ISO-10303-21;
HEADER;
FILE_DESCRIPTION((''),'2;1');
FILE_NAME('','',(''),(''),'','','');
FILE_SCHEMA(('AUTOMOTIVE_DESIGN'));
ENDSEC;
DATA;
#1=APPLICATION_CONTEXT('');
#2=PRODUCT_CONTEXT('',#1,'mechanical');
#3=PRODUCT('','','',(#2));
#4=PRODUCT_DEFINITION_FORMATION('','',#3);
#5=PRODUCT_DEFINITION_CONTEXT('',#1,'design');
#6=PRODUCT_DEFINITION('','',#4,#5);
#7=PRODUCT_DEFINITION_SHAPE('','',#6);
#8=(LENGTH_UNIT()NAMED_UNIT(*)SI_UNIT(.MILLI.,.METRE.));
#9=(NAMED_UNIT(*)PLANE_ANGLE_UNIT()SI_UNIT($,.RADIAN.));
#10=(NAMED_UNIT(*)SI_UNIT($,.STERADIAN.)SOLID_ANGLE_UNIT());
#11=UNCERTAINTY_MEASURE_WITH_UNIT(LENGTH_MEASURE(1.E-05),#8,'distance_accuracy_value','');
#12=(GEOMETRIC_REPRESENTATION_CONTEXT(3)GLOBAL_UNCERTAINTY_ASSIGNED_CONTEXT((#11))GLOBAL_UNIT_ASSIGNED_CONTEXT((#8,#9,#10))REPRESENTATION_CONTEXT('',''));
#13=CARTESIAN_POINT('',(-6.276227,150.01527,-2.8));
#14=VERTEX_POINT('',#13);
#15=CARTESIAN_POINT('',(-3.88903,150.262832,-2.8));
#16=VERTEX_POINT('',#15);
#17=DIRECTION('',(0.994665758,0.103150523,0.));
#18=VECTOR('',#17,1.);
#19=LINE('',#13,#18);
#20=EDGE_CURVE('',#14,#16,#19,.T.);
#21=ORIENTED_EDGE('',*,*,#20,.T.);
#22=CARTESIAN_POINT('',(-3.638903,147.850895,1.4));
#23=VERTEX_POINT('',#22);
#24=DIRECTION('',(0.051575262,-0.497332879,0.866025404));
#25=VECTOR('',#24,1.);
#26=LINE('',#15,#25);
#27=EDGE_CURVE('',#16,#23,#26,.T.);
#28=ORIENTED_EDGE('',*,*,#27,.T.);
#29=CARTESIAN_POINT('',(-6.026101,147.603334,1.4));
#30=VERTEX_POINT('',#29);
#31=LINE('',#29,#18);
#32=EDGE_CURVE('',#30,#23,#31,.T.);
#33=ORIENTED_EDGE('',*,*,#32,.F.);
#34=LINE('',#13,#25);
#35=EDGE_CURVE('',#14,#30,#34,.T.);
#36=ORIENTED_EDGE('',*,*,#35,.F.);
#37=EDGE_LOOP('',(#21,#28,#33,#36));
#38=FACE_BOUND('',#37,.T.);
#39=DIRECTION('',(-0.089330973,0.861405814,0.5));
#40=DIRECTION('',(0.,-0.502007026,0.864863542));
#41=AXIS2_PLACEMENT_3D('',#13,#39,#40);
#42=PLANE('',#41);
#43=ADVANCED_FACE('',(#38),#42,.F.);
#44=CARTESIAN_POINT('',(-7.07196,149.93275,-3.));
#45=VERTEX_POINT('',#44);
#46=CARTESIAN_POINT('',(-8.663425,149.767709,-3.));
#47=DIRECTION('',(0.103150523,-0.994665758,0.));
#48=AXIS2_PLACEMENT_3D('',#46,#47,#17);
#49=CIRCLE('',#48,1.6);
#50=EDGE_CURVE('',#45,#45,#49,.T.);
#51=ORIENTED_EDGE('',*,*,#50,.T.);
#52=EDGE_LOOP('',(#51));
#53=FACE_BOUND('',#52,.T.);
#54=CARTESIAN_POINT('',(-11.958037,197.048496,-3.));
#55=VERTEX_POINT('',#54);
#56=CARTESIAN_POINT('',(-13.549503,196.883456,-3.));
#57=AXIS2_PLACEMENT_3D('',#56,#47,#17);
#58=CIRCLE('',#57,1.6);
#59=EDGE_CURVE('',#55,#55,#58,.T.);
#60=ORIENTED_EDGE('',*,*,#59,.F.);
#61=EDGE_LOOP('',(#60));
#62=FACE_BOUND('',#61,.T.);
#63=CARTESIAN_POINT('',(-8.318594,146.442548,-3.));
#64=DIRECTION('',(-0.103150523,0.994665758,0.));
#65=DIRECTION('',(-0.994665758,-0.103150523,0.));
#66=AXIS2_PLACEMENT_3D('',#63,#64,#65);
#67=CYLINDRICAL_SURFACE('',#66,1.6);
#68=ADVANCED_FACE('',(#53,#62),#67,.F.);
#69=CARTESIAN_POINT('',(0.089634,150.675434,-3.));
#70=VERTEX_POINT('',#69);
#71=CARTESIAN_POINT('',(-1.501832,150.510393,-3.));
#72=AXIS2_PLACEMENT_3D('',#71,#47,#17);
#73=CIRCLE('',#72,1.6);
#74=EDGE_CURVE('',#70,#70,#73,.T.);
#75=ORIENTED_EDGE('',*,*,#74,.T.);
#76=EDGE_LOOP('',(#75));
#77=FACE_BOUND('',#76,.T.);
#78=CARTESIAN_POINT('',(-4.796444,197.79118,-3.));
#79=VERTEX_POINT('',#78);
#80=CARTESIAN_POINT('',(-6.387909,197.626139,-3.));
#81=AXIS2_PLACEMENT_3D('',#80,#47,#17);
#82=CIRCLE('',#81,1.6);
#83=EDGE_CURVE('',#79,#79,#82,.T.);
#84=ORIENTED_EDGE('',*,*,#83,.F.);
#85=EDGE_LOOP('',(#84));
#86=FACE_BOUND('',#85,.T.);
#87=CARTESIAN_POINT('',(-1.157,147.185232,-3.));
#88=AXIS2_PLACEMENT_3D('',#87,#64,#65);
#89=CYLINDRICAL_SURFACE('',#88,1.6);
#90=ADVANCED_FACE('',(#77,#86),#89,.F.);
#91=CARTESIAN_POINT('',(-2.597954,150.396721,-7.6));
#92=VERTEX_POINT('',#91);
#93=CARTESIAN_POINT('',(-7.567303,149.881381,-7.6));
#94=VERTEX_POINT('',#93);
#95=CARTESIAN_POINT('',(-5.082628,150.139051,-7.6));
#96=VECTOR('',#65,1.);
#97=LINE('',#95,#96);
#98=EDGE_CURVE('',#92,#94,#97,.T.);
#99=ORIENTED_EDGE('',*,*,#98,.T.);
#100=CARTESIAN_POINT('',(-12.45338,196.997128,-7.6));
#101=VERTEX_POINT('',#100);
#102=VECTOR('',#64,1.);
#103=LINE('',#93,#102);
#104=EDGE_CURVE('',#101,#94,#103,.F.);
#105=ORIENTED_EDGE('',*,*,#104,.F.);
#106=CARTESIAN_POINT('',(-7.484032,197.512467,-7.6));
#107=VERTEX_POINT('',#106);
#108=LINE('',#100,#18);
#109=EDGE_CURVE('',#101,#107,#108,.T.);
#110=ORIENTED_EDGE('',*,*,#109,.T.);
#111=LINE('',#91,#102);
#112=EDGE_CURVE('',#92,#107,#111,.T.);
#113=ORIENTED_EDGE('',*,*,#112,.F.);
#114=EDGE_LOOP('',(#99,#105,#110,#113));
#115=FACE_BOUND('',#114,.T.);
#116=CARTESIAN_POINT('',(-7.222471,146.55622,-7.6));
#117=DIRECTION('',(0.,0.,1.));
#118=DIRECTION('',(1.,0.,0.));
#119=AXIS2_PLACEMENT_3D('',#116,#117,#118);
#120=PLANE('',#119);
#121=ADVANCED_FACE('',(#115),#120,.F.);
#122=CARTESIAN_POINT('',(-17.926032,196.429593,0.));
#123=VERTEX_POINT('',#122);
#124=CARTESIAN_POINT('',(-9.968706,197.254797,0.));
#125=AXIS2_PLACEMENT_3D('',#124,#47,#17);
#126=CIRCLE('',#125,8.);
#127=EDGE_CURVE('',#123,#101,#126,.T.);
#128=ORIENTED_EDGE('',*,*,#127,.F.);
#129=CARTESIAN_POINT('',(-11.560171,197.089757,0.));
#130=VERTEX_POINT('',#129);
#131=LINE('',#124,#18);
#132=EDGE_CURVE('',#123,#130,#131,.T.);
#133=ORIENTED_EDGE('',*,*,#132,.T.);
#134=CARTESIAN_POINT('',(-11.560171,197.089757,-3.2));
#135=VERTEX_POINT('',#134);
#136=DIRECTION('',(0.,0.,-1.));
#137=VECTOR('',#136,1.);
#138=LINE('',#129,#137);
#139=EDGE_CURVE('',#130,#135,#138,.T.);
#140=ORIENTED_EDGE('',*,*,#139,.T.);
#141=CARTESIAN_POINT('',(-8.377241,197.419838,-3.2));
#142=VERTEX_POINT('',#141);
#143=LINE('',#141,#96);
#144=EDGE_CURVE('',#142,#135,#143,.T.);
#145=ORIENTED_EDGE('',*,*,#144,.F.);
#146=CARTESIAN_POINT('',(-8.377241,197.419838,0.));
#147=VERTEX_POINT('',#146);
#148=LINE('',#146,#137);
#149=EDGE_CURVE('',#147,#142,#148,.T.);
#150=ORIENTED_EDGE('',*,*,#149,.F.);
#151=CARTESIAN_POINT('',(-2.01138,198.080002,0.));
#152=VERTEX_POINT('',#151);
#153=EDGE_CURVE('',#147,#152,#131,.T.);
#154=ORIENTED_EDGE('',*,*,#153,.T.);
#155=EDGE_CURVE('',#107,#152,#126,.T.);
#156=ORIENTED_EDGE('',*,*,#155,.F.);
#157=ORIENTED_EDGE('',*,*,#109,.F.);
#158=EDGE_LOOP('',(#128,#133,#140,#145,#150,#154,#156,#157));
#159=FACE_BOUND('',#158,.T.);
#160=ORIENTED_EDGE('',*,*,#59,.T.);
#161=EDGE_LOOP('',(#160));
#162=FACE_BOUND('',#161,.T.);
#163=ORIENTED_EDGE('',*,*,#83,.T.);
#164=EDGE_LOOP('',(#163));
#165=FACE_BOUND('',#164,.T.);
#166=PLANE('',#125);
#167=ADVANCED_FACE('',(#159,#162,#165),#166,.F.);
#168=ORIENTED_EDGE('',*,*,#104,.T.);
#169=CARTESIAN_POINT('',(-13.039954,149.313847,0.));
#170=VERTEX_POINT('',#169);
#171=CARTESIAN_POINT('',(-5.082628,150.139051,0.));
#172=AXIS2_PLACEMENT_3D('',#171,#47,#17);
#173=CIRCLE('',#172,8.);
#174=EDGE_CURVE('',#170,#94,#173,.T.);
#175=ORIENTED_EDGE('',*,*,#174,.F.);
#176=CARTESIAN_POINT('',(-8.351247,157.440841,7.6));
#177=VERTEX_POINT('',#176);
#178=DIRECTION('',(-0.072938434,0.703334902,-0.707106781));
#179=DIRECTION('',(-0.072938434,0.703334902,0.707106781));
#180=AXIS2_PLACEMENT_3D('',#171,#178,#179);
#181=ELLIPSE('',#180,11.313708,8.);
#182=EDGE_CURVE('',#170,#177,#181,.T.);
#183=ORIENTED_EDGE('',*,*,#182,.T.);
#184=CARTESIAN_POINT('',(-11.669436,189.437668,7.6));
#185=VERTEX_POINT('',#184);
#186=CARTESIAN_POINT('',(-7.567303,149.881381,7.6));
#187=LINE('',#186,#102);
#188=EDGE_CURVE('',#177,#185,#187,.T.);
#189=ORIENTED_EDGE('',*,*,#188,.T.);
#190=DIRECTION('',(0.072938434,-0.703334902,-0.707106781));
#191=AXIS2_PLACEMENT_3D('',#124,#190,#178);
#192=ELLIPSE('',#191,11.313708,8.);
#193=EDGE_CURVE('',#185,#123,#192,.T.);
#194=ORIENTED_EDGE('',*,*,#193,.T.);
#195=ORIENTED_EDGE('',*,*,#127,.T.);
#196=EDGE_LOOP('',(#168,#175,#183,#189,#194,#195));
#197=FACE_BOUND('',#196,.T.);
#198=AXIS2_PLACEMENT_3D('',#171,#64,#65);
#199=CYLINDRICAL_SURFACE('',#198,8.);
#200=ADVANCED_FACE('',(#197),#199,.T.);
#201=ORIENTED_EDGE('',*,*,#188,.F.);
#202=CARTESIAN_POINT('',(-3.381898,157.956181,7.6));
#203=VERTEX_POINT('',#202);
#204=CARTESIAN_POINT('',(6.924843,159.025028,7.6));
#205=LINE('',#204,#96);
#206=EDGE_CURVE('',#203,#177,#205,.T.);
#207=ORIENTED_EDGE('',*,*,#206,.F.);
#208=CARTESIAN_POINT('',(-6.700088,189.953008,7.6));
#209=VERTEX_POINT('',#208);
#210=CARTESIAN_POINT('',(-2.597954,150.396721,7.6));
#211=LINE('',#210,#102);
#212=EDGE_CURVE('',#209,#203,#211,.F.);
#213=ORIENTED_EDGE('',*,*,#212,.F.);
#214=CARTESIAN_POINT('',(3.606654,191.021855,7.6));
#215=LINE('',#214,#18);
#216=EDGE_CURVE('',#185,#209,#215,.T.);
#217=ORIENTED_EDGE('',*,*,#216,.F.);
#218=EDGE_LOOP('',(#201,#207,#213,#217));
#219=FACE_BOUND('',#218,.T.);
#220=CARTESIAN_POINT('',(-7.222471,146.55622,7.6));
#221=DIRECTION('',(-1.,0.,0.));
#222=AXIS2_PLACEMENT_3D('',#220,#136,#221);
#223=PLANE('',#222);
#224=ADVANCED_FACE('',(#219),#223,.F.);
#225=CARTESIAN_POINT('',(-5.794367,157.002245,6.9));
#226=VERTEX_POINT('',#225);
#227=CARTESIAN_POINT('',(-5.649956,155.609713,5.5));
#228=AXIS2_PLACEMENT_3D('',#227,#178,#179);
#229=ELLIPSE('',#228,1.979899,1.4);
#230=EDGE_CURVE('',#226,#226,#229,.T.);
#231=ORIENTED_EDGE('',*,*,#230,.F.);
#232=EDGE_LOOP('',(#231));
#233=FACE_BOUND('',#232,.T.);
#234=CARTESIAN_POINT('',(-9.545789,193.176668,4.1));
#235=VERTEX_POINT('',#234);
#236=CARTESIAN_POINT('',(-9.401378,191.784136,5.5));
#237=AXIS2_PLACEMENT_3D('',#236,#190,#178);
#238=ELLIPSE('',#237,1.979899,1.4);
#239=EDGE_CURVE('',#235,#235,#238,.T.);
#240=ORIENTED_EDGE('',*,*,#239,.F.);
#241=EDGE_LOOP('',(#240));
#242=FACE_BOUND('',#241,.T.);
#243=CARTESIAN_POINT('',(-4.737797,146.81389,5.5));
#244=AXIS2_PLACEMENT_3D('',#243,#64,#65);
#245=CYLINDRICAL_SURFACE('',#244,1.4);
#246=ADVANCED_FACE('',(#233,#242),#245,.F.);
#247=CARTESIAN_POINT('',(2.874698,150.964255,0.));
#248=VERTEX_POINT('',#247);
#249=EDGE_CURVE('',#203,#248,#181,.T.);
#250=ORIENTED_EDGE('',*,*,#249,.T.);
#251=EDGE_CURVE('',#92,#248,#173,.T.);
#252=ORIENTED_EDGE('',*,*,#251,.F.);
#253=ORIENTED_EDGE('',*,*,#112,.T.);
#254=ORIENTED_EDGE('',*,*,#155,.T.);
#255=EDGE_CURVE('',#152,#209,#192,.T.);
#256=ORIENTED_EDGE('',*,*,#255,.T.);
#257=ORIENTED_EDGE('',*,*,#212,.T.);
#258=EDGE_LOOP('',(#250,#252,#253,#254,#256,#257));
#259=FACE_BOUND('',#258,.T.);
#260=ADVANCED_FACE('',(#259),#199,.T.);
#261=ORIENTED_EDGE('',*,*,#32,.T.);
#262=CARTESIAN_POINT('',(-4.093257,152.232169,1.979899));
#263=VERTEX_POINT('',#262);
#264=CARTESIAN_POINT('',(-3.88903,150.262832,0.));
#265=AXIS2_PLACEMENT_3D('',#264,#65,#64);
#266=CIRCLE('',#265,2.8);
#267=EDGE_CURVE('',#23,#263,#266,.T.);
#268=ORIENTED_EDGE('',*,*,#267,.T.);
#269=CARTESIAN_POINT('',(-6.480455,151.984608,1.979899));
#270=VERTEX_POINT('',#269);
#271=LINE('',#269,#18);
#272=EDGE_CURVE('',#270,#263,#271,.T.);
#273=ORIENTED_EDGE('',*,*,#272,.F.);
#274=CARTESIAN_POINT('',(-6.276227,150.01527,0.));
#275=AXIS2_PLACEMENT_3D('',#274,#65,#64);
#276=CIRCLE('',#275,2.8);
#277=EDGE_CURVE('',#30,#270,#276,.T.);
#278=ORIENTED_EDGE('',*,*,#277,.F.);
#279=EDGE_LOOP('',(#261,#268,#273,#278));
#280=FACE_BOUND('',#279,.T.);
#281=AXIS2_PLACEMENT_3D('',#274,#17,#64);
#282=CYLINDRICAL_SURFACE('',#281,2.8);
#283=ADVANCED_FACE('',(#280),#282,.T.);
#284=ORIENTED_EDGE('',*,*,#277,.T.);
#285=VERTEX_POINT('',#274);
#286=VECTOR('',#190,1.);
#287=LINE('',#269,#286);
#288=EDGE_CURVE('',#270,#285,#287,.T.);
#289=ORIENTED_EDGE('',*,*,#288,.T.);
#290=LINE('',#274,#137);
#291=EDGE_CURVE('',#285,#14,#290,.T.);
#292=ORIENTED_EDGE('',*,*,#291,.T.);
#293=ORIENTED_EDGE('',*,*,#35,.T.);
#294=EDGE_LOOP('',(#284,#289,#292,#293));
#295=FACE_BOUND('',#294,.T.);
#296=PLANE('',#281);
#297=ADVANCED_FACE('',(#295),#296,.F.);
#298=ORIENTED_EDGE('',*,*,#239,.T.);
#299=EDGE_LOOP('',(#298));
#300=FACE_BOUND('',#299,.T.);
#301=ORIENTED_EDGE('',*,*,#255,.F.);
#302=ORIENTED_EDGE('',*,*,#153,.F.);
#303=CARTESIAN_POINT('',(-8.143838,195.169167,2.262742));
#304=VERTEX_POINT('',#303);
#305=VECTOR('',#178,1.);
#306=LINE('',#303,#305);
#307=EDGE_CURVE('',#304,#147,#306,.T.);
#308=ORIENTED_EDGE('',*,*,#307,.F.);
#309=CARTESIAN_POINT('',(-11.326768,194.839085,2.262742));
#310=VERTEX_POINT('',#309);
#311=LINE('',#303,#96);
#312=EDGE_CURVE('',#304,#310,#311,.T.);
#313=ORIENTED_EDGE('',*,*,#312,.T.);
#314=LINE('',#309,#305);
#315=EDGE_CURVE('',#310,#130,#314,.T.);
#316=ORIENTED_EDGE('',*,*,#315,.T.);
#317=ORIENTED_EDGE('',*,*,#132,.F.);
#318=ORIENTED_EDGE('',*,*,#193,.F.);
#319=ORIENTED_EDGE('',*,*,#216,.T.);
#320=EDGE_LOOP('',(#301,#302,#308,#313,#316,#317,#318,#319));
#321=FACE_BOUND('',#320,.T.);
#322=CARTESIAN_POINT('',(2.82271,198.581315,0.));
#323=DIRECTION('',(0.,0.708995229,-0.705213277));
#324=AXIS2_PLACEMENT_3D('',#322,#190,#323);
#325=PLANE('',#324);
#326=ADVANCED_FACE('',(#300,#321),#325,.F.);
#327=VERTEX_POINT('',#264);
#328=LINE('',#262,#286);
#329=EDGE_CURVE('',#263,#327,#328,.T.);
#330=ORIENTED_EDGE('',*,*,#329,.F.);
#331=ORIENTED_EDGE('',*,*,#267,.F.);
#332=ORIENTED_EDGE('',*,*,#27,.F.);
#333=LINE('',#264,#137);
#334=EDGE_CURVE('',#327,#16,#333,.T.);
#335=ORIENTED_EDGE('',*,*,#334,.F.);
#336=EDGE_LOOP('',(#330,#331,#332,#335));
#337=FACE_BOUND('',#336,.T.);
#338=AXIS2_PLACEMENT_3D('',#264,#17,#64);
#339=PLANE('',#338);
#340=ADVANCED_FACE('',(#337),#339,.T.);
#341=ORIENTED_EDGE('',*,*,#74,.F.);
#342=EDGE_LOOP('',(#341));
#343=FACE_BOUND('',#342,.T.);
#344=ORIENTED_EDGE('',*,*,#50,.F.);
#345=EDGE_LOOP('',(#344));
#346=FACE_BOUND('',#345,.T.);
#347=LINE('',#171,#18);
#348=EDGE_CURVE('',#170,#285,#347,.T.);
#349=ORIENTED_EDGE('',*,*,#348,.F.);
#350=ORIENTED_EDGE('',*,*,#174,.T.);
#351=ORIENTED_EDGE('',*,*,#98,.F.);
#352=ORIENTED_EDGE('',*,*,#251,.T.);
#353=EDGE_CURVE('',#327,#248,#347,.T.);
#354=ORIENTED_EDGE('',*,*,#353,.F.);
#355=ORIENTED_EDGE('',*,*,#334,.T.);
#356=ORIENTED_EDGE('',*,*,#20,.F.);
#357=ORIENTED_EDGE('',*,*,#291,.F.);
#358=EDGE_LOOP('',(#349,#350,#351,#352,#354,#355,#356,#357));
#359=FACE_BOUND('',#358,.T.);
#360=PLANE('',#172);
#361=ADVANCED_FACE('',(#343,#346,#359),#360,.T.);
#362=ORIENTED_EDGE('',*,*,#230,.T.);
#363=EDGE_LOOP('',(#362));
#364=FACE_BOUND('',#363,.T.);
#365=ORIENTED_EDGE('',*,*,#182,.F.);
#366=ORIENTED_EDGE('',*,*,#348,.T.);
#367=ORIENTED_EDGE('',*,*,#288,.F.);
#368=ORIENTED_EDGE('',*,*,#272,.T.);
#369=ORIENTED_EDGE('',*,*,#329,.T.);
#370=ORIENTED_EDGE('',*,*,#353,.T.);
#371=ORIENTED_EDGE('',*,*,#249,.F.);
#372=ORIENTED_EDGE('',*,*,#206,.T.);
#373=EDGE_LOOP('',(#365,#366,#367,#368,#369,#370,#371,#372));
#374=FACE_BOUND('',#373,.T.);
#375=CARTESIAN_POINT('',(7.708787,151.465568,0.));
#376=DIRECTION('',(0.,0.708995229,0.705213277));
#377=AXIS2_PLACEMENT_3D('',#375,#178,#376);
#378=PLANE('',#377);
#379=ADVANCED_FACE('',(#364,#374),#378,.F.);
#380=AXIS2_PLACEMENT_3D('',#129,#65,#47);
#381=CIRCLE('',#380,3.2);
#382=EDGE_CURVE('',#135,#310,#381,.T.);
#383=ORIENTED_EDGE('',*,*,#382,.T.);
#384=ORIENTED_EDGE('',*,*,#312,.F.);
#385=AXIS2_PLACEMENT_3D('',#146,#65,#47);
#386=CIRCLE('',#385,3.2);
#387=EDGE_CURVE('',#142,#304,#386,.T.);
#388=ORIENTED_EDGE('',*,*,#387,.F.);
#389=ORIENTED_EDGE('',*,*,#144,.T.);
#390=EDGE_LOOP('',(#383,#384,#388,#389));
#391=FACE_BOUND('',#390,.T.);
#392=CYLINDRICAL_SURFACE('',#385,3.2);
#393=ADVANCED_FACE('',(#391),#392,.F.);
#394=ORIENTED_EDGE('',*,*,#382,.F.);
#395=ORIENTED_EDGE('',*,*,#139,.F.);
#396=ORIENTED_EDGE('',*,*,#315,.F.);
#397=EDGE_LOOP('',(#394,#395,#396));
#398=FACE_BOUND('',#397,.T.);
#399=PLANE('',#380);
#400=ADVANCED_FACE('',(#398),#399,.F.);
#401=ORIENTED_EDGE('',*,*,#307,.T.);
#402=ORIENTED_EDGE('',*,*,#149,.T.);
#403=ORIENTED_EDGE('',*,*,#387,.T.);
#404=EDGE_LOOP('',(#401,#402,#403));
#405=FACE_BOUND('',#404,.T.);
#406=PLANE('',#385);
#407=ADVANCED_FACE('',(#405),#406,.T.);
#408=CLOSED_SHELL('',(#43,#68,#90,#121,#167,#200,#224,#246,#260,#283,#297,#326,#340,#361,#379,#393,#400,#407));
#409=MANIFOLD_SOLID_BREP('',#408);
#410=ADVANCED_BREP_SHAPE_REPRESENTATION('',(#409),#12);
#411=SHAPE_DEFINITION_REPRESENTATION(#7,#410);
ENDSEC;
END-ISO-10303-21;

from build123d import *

# Parameters (mm, degrees)
SKETCH3_R               = 8
BOSS_EXTRUDE1_DEPTH     = 47.368421053
CUT_EXTRUDE1_DEPTH      = 13.860013886
CUT_EXTRUDE1_DEPTH_BACK = 13.860013886
BOSS_EXTRUDE2_DEPTH     = 1.2
CUT_EXTRUDE2_DEPTH      = 1.6
SKETCH8_R               = 1.4
SKETCH8_R_2             = 1.6
CUT_EXTRUDE3_DEPTH      = 2.64160469
CUT_EXTRUDE3_DEPTH_BACK = 51.711414178
CUT_EXTRUDE4_DEPTH      = 51.711414178


with BuildPart() as part:
    # Sketch3 → Boss-Extrude1 (new body)
    with BuildSketch(Plane(origin=(-20.344467381, 196.178792599, 0), x_dir=(-0.994665758, -0.103150523, 0), z_dir=(0.103150523, -0.994665758, 0))):
        with Locations((-10.431405186, 0)):
            Circle(SKETCH3_R)
    extrude(amount=BOSS_EXTRUDE1_DEPTH)

    # Sketch4 → Cut-Extrude1 (cut, two sides)
    with BuildSketch(Plane(origin=(10.375761543, 1.076004901, 0), x_dir=(0.103150523, -0.994665758, 0), z_dir=(-0.994665758, -0.103150523, 0))) as cut_extrude1_sk:
        Polygon((-197.230869842, 0), (-189.230869842, 8), (-197.230869842, 8), align=None)
        Polygon((-157.862448789, 8), (-149.862448789, 8), (-149.862448789, 0), align=None)
    extrude(amount=CUT_EXTRUDE1_DEPTH, mode=Mode.SUBTRACT)
    extrude(cut_extrude1_sk.sketch, amount=-CUT_EXTRUDE1_DEPTH_BACK, mode=Mode.SUBTRACT)

    # Sketch5 → Boss-Extrude2 (add, symmetric)
    with BuildSketch(Plane(origin=(10.375761543, 1.076004901, 0), x_dir=(0.103150523, -0.994665758, 0), z_dir=(-0.994665758, -0.103150523, 0))):
        with BuildLine():
            Line((-149.862448789, -2.8), (-147.437577659, 1.4))
            ThreePointArc((-147.437577659, 1.4), (-149.496975451, 2.776045612), (-151.842347777, 1.979898987))
            Line((-151.842347777, 1.979898987), (-149.862448789, 0))
            Line((-149.862448789, 0), (-149.862448789, -2.8))
        make_face()
    extrude(amount=BOSS_EXTRUDE2_DEPTH, both=True)

    # Sketch7 → Cut-Extrude2 (cut, symmetric)
    with BuildSketch(Plane(origin=(10.375761543, 1.076004901, 0), x_dir=(0.103150523, -0.994665758, 0), z_dir=(-0.994665758, -0.103150523, 0))):
        with BuildLine():
            Line((-194.968128142, 2.2627417), (-197.230869842, 0))
            Line((-197.230869842, 0), (-197.230869842, -3.2))
            ThreePointArc((-197.230869842, -3.2), (-194.274455338, -1.224586984), (-194.968128142, 2.2627417))
        make_face()
    extrude(amount=CUT_EXTRUDE2_DEPTH, both=True, mode=Mode.SUBTRACT)

    # Sketch8 → Cut-Extrude3 (cut, two sides)
    with BuildSketch(Plane(origin=(-20.344467381, 196.178792599, 0), x_dir=(0.994665758, 0.103150523, 0), z_dir=(-0.103150523, 0.994665758, 0))) as cut_extrude3_sk:
        with Locations((10.431405186, -5.5)):
            Circle(SKETCH8_R)
        with Locations((6.831405186, 3)):
            Circle(SKETCH8_R_2)
        with Locations((14.031405186, 3)):
            Circle(SKETCH8_R_2)
    extrude(amount=CUT_EXTRUDE3_DEPTH, mode=Mode.SUBTRACT)
    extrude(cut_extrude3_sk.sketch, amount=-CUT_EXTRUDE3_DEPTH_BACK, mode=Mode.SUBTRACT)

    # Sketch9 → Cut-Extrude4 (cut, through all)
    with BuildSketch(Plane(origin=(-20.344467381, 196.178792599, 0), x_dir=(0.994665758, 0.103150523, 0), z_dir=(-0.103150523, 0.994665758, 0))):
        with BuildLine():
            Line((7.933405986, 7.6), (12.929404385, 7.6))
            ThreePointArc((12.929404385, 7.6), (10.431405186, 8), (7.933405986, 7.6))
        make_face()
        with BuildLine():
            Line((7.933405986, -7.6), (12.929404385, -7.6))
            ThreePointArc((12.929404385, -7.6), (10.431405186, -8), (7.933405986, -7.6))
        make_face()
    extrude(amount=-CUT_EXTRUDE4_DEPTH, mode=Mode.SUBTRACT)


solid = part.part
